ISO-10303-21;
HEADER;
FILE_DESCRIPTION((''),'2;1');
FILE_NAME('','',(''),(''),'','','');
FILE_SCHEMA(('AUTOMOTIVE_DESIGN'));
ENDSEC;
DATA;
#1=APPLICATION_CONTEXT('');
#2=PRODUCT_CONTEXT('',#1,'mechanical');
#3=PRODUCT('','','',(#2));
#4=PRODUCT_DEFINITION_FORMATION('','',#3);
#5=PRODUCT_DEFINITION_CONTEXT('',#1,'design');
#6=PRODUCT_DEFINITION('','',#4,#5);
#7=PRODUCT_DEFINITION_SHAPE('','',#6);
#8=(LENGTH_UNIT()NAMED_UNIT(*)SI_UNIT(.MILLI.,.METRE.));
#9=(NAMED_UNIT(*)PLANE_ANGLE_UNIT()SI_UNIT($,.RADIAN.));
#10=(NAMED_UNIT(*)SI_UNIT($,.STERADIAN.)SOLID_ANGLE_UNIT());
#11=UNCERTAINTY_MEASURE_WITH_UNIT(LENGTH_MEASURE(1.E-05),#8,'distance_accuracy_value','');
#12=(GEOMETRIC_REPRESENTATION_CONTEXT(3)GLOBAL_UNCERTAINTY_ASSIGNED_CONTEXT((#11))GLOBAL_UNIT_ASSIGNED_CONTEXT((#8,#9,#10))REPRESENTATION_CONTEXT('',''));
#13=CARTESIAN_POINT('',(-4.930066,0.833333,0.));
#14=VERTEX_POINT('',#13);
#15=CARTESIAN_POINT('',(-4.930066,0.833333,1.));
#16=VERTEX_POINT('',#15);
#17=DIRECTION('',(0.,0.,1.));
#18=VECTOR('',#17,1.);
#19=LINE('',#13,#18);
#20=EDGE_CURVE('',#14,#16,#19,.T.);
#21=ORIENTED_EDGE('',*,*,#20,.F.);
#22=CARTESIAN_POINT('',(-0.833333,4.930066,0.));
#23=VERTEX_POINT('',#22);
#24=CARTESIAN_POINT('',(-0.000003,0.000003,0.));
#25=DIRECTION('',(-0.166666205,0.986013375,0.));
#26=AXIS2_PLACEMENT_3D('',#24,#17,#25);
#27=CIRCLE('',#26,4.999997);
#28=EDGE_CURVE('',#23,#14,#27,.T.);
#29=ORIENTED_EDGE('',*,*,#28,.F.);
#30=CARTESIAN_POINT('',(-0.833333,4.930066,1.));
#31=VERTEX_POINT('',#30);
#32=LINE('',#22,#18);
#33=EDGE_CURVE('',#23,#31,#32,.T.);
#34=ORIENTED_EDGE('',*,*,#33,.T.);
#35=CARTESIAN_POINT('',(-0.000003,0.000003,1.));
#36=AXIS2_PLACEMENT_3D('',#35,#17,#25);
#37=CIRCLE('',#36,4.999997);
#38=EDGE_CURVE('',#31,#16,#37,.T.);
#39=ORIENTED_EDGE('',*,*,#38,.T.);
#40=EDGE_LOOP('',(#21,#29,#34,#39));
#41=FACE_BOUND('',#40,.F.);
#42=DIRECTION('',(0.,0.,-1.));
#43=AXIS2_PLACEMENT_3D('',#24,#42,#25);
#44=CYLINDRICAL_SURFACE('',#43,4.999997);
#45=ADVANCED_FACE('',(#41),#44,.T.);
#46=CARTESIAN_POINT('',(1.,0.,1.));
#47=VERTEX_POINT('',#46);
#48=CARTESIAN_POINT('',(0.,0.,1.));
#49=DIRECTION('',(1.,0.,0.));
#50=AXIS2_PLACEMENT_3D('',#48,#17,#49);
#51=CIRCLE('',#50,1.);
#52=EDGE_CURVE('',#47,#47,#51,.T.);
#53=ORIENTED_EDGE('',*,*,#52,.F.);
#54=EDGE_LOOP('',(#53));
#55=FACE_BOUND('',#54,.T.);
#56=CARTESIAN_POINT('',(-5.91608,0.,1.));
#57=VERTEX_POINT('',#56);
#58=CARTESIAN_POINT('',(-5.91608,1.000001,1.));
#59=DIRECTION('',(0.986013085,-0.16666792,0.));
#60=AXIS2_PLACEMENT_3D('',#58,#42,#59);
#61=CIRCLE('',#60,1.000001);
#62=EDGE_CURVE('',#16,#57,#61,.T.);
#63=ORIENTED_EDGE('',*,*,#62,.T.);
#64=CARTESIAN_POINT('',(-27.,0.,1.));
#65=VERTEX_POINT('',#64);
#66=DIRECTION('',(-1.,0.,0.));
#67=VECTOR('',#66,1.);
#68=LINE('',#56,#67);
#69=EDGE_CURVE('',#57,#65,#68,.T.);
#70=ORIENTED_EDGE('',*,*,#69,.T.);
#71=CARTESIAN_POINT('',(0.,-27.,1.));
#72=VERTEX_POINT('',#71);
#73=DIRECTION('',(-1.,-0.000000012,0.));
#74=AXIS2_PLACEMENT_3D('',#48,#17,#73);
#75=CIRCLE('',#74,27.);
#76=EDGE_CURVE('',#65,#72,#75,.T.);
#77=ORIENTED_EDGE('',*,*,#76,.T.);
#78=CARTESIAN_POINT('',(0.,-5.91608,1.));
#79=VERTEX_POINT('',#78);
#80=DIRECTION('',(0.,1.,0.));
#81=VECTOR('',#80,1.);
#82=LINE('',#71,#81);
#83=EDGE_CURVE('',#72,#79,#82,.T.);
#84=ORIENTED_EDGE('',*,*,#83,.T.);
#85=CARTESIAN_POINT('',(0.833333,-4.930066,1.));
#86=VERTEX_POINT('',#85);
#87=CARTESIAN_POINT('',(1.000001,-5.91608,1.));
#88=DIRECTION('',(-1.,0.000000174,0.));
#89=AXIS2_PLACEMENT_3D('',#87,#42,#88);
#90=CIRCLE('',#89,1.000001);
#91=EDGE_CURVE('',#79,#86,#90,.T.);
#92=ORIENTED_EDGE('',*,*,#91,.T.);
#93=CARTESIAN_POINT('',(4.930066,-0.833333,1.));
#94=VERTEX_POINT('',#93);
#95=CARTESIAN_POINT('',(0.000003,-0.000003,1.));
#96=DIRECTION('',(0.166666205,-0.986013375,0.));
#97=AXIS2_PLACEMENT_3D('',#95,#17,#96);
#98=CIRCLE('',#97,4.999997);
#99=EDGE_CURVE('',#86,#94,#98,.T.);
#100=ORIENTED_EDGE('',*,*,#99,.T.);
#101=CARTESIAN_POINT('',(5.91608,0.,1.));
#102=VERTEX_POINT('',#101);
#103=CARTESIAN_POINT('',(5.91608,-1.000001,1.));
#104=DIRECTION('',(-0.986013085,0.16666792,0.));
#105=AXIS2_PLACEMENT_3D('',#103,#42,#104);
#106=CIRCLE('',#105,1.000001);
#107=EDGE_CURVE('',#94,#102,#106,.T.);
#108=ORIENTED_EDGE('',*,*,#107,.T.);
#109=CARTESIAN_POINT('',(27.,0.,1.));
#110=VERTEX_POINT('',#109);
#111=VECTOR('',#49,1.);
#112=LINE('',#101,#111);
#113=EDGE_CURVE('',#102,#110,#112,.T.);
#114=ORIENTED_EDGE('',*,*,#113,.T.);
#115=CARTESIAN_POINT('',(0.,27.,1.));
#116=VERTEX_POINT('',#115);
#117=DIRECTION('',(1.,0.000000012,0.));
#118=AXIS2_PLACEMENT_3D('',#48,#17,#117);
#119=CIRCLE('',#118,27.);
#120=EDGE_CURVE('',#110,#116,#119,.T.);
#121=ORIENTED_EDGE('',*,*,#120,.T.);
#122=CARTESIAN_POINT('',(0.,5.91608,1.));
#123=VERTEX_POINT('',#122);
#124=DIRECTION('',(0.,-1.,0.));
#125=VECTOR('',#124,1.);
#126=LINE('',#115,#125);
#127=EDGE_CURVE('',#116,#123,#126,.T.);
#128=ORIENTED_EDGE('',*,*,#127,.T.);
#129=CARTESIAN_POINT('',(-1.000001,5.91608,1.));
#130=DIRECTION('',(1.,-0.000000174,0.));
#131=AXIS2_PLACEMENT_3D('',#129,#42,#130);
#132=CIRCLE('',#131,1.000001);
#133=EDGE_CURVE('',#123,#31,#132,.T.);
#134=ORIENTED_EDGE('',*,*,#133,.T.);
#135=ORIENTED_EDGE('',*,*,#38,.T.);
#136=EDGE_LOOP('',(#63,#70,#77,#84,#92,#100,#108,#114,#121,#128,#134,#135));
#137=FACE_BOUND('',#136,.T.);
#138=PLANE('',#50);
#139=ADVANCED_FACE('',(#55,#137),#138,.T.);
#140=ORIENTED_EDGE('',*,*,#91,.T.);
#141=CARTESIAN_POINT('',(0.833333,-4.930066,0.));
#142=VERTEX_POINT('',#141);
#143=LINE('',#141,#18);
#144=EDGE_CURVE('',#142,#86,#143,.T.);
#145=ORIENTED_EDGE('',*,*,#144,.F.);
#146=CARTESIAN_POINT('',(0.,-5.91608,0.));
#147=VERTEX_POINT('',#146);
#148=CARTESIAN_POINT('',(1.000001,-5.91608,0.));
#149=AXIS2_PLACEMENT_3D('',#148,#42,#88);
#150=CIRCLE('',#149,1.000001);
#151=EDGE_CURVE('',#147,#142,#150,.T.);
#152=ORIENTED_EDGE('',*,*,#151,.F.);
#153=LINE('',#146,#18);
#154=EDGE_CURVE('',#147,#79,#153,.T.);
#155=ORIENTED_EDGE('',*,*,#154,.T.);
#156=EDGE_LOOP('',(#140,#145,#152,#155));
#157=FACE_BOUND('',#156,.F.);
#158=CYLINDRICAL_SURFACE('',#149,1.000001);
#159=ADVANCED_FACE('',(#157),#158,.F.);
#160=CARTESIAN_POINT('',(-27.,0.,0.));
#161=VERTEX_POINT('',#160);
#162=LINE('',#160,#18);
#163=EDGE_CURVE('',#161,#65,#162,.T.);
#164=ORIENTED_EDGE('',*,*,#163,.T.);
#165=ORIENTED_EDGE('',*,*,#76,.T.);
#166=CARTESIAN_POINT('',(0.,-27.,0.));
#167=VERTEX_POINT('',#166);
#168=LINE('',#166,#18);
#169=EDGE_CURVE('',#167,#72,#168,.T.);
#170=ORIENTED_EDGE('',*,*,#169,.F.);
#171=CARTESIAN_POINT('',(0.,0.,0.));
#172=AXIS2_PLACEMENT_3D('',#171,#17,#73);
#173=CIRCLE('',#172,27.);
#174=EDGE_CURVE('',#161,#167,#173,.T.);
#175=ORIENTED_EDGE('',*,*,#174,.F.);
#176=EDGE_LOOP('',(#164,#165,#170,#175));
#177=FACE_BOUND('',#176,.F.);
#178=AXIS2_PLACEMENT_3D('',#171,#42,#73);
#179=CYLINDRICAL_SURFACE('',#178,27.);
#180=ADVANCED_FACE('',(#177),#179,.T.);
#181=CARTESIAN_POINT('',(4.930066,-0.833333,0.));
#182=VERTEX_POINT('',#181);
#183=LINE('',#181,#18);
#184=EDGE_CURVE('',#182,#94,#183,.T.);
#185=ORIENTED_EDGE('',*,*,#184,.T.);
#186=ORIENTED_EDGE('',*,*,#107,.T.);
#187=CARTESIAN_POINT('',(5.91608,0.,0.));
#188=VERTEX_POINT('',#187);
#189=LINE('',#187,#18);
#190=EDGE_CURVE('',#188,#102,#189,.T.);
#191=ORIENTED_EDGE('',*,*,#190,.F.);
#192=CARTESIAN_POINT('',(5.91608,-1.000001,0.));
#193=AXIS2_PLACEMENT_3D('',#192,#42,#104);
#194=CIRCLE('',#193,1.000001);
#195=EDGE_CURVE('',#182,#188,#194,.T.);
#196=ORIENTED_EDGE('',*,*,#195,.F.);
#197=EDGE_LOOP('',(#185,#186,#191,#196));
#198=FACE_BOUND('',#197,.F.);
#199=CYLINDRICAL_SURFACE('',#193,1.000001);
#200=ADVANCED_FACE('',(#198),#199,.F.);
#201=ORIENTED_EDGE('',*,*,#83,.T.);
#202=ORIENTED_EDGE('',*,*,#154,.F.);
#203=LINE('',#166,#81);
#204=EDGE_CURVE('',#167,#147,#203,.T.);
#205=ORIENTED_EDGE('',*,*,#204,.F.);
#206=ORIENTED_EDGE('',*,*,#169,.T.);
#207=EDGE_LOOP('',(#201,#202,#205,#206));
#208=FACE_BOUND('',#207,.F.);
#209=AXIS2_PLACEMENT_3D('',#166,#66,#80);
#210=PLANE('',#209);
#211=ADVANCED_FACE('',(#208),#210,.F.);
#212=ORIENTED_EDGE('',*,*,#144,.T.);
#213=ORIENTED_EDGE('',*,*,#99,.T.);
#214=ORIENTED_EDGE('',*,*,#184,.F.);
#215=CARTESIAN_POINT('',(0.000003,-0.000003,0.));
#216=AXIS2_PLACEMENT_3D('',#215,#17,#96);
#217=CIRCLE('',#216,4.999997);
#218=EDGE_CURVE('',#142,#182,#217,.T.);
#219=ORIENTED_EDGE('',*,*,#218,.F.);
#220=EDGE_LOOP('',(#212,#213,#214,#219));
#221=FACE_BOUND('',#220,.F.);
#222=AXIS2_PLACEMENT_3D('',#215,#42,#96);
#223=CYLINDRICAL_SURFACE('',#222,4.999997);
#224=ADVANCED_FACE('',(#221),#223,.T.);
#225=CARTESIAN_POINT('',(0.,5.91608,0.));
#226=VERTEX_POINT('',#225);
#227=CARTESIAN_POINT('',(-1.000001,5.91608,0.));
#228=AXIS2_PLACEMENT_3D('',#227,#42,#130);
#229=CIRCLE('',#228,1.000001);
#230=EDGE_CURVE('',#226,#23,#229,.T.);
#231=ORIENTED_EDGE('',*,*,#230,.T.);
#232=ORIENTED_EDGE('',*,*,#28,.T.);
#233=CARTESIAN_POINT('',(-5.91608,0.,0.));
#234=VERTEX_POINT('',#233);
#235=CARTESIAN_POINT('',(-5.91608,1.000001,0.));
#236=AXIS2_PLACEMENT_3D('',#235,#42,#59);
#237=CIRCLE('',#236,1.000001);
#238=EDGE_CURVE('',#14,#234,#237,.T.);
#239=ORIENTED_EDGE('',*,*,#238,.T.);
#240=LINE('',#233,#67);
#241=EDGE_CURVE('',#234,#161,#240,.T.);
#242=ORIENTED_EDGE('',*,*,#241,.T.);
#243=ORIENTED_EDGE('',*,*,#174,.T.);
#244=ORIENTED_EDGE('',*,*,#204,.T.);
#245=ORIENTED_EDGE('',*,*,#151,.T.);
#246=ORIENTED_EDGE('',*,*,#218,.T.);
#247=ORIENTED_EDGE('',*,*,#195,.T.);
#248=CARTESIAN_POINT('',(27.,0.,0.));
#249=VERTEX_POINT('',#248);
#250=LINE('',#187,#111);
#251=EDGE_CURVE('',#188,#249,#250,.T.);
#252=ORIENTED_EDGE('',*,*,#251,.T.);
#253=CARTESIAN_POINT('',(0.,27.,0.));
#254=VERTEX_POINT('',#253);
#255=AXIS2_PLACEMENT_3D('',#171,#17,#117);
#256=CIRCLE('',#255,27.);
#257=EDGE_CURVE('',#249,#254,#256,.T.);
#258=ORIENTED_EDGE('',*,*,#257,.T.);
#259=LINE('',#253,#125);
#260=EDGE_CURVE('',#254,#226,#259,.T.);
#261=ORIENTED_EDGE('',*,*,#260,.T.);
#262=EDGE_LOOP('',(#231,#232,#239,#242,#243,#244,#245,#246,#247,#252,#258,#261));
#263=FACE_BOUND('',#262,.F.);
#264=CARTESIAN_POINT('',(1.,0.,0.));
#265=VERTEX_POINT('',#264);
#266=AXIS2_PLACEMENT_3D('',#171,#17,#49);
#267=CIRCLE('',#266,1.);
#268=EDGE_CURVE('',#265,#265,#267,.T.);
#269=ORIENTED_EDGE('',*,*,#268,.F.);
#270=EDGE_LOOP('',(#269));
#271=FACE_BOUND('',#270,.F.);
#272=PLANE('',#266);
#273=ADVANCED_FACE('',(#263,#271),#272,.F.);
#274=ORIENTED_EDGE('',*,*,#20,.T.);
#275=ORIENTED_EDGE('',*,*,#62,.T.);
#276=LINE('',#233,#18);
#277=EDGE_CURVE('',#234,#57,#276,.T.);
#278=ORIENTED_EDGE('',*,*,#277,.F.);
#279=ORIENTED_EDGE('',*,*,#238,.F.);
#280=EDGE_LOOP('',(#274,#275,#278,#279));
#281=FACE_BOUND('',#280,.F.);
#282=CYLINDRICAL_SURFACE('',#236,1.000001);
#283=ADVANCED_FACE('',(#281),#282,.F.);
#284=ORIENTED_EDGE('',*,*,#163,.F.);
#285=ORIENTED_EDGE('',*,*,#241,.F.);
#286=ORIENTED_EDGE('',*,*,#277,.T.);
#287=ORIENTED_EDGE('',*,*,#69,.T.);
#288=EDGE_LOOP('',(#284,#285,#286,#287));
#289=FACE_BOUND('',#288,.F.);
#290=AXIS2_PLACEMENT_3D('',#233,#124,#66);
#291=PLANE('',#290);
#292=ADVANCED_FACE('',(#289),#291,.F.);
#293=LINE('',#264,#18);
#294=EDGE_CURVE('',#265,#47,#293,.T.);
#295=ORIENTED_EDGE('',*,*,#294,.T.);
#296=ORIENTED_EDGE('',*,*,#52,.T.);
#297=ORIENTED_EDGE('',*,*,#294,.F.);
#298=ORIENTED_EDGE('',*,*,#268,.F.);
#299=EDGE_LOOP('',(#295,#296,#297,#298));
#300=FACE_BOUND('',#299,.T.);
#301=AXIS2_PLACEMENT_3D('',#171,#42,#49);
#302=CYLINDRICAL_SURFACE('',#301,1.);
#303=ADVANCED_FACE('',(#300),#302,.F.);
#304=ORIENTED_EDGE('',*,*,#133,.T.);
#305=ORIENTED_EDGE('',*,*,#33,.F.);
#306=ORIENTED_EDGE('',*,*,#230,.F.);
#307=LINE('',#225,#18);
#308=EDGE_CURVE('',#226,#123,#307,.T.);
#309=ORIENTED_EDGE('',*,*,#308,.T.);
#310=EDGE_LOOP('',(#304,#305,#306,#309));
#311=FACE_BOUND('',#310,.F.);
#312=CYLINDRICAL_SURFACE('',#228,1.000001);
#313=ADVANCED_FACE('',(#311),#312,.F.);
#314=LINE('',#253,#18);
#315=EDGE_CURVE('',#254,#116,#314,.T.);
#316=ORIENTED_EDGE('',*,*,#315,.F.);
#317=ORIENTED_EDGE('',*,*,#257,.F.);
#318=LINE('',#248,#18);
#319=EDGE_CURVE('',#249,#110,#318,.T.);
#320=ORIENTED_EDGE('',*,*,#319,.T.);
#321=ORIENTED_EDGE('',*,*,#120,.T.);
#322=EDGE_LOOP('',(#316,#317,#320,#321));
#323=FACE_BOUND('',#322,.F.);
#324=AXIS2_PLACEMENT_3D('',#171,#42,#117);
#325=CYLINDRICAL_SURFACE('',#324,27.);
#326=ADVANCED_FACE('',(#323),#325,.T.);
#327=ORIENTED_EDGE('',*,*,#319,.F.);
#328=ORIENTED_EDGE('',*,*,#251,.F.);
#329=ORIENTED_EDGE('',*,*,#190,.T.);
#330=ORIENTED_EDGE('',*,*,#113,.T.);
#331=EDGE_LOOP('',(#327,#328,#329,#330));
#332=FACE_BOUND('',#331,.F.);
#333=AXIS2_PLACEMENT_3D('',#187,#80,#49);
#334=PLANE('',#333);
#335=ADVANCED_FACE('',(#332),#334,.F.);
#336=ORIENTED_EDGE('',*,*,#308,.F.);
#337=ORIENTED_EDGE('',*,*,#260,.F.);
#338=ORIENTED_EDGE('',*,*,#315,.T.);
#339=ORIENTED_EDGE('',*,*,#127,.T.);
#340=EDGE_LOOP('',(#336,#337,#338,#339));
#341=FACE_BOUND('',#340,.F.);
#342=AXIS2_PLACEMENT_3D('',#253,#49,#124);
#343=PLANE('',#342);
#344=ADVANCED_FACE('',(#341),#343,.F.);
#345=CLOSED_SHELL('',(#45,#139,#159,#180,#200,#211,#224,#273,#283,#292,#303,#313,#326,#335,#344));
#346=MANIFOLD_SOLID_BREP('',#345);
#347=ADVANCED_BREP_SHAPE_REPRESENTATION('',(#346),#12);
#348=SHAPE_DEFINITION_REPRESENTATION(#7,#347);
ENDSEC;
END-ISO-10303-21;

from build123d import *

# Parameters (mm, degrees)
F0_R     = 1
F1_DEPTH = 1


with BuildPart() as f1:
    # F0 (on Top) → F1 (new body)
    with BuildSketch(Plane.XY):
        with BuildLine():
            ThreePointArc((0, 5.91608), (-0.236237, 5.270583), (-0.833333, 4.930066))
            ThreePointArc((-0.833333, 4.930066), (-3.535534, 3.535534), (-4.930066, 0.833333))
            ThreePointArc((-4.930066, 0.833333), (-5.270583, 0.236237), (-5.91608, 0))
            Line((-5.91608, 0), (-27, 0))
            ThreePointArc((-27, 0), (-19.091883, -19.091883), (0, -27))
            Line((0, -27), (0, -5.91608))
            ThreePointArc((0, -5.91608), (0.236237, -5.270583), (0.833333, -4.930066))
            ThreePointArc((0.833333, -4.930066), (3.535534, -3.535534), (4.930066, -0.833333))
            ThreePointArc((4.930066, -0.833333), (5.270583, -0.236237), (5.91608, 0))
            Line((5.91608, 0), (27, 0))
            ThreePointArc((27, 0), (19.091883, 19.091883), (0, 27))
            Line((0, 27), (0, 5.91608))
        make_face()
        Circle(F0_R, mode=Mode.SUBTRACT)
    extrude(amount=F1_DEPTH)


solid = f1.part
